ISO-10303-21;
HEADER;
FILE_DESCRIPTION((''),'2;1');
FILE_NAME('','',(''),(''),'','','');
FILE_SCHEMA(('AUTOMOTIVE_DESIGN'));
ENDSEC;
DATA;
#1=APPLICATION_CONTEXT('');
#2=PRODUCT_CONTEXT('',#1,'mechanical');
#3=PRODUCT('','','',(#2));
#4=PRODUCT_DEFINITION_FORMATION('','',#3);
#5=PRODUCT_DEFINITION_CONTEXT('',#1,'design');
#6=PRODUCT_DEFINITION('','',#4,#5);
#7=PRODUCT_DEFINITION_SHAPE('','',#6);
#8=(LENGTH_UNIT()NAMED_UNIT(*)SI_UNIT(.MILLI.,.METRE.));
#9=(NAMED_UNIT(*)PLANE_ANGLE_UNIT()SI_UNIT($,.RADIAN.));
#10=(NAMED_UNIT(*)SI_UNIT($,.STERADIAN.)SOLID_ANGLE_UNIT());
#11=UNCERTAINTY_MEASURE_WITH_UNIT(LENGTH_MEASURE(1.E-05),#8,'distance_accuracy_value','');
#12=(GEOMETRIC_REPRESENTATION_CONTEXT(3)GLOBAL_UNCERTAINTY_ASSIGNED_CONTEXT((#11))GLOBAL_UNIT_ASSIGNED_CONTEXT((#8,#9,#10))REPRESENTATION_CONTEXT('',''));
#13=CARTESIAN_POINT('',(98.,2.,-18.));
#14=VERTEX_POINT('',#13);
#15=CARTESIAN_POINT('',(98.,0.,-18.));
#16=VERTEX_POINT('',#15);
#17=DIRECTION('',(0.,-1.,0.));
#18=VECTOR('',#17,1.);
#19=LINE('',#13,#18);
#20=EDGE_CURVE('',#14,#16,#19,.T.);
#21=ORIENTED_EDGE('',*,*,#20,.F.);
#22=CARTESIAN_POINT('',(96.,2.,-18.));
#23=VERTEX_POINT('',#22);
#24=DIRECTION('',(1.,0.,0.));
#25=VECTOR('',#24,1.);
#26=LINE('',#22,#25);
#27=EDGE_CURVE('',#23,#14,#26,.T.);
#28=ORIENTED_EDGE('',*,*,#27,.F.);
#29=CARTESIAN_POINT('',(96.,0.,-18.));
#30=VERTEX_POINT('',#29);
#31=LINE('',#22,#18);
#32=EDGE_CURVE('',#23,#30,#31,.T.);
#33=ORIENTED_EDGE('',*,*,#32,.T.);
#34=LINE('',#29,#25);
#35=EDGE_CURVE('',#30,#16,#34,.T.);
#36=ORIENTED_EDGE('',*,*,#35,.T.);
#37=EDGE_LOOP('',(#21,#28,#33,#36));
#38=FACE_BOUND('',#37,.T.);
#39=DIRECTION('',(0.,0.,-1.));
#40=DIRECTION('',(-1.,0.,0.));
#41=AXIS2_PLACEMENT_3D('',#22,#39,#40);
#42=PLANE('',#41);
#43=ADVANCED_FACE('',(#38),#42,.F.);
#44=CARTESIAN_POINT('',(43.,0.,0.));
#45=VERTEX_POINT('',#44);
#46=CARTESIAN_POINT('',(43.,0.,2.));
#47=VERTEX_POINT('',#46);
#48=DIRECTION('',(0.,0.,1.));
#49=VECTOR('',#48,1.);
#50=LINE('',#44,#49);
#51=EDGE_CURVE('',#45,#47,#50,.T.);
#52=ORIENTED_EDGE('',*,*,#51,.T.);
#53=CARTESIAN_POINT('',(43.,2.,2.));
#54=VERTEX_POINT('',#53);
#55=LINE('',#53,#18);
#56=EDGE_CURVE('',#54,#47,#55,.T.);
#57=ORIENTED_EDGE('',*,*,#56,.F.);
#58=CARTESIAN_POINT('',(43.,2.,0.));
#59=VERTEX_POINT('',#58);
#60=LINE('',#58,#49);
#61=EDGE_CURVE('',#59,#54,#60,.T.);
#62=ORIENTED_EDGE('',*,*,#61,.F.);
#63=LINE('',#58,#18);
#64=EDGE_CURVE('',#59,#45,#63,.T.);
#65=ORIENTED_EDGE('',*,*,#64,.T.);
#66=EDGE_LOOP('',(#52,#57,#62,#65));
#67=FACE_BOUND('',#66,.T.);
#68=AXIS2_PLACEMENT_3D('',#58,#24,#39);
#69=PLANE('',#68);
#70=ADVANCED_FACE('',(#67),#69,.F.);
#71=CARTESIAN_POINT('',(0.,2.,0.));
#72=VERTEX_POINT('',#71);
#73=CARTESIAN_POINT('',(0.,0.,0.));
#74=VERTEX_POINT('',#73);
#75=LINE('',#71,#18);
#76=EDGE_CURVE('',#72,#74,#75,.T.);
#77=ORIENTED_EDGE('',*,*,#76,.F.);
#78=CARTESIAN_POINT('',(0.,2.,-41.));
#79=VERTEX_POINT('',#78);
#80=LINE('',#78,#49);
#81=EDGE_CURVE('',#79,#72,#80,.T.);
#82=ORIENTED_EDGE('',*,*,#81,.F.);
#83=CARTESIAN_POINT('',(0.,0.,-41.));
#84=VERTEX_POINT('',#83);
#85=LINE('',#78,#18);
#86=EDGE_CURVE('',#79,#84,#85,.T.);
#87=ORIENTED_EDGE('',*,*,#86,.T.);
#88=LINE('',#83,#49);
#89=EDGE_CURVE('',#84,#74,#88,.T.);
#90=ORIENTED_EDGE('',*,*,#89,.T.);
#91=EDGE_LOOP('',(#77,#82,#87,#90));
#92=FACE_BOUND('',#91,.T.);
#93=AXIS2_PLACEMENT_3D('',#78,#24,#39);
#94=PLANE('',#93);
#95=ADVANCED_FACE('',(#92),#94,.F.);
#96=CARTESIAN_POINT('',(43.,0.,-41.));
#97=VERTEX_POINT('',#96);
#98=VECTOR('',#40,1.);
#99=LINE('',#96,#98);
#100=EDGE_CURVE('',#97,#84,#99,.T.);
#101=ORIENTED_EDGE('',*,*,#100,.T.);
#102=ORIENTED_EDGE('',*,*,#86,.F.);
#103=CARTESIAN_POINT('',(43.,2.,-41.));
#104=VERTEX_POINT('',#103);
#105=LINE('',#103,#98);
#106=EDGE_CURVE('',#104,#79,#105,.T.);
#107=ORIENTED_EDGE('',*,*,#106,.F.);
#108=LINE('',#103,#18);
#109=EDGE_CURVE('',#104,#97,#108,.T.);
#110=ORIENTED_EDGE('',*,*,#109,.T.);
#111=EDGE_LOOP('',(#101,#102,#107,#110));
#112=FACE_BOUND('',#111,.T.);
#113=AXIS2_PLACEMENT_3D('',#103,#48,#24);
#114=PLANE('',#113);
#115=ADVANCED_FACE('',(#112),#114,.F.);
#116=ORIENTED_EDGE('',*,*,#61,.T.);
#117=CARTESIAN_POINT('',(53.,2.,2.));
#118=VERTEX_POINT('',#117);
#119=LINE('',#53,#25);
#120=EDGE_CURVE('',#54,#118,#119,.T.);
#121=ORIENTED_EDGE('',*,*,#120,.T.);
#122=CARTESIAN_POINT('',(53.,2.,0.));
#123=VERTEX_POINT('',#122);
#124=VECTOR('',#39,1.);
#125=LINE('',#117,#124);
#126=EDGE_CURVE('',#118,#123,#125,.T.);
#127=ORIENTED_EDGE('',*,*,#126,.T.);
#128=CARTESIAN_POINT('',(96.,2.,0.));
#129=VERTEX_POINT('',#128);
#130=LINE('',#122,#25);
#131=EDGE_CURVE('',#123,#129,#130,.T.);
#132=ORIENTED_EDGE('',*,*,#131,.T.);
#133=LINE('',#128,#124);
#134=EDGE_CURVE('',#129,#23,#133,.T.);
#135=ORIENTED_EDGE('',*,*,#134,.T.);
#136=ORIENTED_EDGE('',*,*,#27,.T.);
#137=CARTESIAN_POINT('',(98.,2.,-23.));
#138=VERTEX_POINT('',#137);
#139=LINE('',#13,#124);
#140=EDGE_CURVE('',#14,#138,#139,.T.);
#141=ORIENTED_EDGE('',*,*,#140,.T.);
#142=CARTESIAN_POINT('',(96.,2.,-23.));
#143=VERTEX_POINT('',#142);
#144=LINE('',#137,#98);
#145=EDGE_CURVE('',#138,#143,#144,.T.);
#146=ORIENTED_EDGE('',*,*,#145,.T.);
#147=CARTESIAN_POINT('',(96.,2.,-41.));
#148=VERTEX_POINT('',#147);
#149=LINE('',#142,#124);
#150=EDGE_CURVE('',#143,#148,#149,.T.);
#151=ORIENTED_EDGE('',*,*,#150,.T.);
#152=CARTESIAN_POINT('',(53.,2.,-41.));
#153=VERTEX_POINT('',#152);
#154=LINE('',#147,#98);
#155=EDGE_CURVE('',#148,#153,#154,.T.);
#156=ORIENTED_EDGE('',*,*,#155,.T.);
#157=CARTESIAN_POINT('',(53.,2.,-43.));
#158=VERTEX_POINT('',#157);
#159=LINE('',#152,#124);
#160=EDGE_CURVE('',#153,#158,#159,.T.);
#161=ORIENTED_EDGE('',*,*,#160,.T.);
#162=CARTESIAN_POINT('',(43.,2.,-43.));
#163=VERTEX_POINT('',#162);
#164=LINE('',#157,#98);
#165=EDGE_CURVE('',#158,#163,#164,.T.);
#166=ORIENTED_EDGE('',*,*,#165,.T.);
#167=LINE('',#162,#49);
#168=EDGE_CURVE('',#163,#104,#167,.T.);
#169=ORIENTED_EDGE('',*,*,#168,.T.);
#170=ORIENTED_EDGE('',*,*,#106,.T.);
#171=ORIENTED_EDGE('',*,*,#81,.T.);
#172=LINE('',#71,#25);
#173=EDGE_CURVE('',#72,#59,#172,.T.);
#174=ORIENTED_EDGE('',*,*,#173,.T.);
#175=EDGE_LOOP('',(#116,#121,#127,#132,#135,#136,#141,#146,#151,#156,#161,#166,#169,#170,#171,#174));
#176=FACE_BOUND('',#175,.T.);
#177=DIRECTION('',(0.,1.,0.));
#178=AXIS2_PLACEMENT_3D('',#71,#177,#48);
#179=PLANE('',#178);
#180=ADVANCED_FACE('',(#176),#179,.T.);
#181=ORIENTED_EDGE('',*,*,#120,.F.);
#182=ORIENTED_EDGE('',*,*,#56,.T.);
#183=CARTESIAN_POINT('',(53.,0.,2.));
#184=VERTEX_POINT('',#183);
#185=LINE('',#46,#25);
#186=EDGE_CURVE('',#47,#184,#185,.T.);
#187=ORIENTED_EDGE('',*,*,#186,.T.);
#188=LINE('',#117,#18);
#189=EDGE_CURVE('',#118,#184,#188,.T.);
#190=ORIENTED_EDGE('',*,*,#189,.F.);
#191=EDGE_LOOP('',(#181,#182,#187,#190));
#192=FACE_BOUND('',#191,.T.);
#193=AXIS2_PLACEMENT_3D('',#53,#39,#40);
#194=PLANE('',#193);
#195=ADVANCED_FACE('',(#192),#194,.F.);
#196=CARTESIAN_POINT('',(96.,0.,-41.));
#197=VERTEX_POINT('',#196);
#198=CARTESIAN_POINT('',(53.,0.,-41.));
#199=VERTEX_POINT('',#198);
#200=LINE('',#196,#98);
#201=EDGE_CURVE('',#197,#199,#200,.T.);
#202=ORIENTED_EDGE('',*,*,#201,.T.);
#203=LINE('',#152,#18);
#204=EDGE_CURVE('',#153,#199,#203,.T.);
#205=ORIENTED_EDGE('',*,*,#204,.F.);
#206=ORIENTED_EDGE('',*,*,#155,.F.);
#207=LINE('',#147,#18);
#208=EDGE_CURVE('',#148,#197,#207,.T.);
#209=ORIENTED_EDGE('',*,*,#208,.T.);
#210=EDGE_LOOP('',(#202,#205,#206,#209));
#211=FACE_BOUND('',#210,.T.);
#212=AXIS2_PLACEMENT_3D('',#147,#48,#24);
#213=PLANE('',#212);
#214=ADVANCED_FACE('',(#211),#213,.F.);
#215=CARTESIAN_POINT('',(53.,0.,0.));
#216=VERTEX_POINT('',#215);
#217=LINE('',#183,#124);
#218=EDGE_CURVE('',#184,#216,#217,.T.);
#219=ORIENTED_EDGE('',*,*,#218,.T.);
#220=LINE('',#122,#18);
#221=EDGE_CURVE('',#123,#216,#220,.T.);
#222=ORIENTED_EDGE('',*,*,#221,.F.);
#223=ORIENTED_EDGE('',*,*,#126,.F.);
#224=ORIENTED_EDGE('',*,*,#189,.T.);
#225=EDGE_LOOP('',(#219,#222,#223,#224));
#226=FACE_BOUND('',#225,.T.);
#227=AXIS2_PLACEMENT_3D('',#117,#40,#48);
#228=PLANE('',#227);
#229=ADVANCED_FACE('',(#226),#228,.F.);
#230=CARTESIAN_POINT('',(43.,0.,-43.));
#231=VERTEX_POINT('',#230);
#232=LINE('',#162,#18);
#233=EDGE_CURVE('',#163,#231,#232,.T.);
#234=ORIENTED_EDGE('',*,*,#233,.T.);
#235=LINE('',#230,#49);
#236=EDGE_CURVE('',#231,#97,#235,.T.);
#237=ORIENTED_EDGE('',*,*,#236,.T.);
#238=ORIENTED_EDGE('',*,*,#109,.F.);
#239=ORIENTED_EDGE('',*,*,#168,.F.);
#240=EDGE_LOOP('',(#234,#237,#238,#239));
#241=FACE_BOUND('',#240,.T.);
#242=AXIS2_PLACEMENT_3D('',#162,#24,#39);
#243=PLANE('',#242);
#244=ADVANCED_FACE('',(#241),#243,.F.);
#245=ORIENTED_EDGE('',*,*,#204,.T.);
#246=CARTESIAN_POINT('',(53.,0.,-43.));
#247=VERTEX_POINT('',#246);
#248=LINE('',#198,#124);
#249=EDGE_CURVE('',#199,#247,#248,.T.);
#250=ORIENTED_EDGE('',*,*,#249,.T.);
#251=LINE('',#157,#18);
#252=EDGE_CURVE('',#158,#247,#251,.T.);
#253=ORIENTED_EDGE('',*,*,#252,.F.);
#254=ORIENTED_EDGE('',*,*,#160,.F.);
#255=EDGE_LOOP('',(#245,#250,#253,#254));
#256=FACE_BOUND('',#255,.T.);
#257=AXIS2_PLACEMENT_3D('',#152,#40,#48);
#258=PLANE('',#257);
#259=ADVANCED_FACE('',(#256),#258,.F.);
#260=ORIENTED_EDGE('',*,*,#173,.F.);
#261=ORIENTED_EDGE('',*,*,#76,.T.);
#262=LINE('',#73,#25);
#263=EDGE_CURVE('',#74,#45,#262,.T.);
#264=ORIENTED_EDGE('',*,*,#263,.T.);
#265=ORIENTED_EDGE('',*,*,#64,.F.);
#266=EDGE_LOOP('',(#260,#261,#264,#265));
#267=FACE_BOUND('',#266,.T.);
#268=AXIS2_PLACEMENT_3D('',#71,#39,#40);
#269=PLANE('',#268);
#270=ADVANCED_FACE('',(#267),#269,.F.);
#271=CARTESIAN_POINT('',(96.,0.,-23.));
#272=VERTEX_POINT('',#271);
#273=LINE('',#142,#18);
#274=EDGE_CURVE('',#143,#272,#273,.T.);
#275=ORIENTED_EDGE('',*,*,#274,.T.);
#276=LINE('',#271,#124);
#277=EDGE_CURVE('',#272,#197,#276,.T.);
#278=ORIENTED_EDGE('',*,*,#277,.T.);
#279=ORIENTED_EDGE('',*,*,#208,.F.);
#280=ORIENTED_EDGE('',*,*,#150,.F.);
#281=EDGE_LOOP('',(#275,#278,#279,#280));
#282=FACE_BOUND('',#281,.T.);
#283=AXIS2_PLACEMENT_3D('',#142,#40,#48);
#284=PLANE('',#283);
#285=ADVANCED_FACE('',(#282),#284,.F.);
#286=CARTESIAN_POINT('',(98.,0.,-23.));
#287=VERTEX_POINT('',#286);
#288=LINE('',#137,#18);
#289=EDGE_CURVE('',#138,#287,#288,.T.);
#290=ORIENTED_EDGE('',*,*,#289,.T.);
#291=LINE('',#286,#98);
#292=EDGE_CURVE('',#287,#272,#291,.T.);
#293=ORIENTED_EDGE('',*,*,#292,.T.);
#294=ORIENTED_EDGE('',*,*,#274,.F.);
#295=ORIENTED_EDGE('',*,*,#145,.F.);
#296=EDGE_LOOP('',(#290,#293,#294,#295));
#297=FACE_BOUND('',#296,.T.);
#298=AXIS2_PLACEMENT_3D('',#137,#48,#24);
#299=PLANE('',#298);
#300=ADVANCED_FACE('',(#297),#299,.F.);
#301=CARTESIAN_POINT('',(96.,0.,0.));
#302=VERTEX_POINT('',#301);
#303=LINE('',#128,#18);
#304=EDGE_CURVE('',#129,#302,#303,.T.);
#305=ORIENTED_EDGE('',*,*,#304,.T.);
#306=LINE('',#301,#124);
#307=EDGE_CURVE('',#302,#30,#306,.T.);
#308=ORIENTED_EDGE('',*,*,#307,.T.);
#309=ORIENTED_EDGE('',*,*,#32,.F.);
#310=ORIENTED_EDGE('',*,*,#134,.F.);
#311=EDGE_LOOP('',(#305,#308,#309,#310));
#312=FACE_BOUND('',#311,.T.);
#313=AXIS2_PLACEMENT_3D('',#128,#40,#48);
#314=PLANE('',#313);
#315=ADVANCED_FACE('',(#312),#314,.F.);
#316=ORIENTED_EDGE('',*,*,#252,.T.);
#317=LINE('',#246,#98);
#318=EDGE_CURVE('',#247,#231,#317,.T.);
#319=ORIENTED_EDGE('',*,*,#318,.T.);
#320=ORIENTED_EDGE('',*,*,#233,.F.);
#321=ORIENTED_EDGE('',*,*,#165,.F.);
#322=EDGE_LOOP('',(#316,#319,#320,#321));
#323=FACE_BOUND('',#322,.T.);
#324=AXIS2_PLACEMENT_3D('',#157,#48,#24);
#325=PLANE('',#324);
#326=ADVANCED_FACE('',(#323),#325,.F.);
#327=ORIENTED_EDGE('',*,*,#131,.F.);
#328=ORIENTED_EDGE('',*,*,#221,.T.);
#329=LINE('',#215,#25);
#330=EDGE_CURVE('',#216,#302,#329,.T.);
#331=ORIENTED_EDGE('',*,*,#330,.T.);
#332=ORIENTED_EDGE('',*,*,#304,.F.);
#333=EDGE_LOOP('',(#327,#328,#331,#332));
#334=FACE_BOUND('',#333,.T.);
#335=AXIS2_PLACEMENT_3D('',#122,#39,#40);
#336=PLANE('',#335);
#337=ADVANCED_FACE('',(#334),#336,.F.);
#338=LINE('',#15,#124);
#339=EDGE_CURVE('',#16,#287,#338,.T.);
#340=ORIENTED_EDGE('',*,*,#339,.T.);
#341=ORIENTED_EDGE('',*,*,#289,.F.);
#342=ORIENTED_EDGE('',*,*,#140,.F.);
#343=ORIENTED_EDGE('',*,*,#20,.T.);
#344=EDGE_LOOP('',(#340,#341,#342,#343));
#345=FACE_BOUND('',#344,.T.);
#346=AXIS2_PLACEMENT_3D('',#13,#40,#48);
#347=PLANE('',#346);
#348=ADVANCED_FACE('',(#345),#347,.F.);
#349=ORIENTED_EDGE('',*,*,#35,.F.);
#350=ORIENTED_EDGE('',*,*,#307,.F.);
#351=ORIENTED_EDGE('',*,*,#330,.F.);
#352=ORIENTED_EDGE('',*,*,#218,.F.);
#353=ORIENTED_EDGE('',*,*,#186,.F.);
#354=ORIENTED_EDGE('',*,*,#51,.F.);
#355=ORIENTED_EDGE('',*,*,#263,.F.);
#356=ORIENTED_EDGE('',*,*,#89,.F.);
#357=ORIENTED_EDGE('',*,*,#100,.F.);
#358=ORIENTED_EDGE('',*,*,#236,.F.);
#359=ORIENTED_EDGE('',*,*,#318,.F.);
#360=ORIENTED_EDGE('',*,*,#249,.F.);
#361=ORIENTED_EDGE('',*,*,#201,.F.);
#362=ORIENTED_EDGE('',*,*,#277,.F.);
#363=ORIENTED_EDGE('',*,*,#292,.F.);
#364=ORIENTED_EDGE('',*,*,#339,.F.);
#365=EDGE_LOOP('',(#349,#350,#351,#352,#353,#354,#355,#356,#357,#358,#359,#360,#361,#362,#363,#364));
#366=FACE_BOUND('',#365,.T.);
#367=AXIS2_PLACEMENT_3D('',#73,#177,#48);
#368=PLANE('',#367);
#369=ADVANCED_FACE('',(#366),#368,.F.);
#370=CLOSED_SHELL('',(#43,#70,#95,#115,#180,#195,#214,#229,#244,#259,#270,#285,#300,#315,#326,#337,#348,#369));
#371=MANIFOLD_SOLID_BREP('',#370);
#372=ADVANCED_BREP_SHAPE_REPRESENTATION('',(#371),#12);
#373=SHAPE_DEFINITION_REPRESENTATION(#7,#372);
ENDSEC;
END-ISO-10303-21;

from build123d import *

# Parameters (mm, degrees)
BOSS_EXTRUDE1_DEPTH = 2


with BuildPart() as part:
    # Sketch1 → Boss-Extrude1 (new body)
    with BuildSketch(Plane(origin=(0, 0, 0), x_dir=(1, 0, 0), z_dir=(0, 1, 0))):
        Polygon((0, 0), (43, 0), (43, -2), (53, -2), (53, 0), (96, 0), (96, 18), (98, 18), (98, 23), (96, 23), (96, 41), (53, 41), (53, 43), (43, 43), (43, 41), (0, 41), align=None)
    extrude(amount=BOSS_EXTRUDE1_DEPTH)


solid = part.part
